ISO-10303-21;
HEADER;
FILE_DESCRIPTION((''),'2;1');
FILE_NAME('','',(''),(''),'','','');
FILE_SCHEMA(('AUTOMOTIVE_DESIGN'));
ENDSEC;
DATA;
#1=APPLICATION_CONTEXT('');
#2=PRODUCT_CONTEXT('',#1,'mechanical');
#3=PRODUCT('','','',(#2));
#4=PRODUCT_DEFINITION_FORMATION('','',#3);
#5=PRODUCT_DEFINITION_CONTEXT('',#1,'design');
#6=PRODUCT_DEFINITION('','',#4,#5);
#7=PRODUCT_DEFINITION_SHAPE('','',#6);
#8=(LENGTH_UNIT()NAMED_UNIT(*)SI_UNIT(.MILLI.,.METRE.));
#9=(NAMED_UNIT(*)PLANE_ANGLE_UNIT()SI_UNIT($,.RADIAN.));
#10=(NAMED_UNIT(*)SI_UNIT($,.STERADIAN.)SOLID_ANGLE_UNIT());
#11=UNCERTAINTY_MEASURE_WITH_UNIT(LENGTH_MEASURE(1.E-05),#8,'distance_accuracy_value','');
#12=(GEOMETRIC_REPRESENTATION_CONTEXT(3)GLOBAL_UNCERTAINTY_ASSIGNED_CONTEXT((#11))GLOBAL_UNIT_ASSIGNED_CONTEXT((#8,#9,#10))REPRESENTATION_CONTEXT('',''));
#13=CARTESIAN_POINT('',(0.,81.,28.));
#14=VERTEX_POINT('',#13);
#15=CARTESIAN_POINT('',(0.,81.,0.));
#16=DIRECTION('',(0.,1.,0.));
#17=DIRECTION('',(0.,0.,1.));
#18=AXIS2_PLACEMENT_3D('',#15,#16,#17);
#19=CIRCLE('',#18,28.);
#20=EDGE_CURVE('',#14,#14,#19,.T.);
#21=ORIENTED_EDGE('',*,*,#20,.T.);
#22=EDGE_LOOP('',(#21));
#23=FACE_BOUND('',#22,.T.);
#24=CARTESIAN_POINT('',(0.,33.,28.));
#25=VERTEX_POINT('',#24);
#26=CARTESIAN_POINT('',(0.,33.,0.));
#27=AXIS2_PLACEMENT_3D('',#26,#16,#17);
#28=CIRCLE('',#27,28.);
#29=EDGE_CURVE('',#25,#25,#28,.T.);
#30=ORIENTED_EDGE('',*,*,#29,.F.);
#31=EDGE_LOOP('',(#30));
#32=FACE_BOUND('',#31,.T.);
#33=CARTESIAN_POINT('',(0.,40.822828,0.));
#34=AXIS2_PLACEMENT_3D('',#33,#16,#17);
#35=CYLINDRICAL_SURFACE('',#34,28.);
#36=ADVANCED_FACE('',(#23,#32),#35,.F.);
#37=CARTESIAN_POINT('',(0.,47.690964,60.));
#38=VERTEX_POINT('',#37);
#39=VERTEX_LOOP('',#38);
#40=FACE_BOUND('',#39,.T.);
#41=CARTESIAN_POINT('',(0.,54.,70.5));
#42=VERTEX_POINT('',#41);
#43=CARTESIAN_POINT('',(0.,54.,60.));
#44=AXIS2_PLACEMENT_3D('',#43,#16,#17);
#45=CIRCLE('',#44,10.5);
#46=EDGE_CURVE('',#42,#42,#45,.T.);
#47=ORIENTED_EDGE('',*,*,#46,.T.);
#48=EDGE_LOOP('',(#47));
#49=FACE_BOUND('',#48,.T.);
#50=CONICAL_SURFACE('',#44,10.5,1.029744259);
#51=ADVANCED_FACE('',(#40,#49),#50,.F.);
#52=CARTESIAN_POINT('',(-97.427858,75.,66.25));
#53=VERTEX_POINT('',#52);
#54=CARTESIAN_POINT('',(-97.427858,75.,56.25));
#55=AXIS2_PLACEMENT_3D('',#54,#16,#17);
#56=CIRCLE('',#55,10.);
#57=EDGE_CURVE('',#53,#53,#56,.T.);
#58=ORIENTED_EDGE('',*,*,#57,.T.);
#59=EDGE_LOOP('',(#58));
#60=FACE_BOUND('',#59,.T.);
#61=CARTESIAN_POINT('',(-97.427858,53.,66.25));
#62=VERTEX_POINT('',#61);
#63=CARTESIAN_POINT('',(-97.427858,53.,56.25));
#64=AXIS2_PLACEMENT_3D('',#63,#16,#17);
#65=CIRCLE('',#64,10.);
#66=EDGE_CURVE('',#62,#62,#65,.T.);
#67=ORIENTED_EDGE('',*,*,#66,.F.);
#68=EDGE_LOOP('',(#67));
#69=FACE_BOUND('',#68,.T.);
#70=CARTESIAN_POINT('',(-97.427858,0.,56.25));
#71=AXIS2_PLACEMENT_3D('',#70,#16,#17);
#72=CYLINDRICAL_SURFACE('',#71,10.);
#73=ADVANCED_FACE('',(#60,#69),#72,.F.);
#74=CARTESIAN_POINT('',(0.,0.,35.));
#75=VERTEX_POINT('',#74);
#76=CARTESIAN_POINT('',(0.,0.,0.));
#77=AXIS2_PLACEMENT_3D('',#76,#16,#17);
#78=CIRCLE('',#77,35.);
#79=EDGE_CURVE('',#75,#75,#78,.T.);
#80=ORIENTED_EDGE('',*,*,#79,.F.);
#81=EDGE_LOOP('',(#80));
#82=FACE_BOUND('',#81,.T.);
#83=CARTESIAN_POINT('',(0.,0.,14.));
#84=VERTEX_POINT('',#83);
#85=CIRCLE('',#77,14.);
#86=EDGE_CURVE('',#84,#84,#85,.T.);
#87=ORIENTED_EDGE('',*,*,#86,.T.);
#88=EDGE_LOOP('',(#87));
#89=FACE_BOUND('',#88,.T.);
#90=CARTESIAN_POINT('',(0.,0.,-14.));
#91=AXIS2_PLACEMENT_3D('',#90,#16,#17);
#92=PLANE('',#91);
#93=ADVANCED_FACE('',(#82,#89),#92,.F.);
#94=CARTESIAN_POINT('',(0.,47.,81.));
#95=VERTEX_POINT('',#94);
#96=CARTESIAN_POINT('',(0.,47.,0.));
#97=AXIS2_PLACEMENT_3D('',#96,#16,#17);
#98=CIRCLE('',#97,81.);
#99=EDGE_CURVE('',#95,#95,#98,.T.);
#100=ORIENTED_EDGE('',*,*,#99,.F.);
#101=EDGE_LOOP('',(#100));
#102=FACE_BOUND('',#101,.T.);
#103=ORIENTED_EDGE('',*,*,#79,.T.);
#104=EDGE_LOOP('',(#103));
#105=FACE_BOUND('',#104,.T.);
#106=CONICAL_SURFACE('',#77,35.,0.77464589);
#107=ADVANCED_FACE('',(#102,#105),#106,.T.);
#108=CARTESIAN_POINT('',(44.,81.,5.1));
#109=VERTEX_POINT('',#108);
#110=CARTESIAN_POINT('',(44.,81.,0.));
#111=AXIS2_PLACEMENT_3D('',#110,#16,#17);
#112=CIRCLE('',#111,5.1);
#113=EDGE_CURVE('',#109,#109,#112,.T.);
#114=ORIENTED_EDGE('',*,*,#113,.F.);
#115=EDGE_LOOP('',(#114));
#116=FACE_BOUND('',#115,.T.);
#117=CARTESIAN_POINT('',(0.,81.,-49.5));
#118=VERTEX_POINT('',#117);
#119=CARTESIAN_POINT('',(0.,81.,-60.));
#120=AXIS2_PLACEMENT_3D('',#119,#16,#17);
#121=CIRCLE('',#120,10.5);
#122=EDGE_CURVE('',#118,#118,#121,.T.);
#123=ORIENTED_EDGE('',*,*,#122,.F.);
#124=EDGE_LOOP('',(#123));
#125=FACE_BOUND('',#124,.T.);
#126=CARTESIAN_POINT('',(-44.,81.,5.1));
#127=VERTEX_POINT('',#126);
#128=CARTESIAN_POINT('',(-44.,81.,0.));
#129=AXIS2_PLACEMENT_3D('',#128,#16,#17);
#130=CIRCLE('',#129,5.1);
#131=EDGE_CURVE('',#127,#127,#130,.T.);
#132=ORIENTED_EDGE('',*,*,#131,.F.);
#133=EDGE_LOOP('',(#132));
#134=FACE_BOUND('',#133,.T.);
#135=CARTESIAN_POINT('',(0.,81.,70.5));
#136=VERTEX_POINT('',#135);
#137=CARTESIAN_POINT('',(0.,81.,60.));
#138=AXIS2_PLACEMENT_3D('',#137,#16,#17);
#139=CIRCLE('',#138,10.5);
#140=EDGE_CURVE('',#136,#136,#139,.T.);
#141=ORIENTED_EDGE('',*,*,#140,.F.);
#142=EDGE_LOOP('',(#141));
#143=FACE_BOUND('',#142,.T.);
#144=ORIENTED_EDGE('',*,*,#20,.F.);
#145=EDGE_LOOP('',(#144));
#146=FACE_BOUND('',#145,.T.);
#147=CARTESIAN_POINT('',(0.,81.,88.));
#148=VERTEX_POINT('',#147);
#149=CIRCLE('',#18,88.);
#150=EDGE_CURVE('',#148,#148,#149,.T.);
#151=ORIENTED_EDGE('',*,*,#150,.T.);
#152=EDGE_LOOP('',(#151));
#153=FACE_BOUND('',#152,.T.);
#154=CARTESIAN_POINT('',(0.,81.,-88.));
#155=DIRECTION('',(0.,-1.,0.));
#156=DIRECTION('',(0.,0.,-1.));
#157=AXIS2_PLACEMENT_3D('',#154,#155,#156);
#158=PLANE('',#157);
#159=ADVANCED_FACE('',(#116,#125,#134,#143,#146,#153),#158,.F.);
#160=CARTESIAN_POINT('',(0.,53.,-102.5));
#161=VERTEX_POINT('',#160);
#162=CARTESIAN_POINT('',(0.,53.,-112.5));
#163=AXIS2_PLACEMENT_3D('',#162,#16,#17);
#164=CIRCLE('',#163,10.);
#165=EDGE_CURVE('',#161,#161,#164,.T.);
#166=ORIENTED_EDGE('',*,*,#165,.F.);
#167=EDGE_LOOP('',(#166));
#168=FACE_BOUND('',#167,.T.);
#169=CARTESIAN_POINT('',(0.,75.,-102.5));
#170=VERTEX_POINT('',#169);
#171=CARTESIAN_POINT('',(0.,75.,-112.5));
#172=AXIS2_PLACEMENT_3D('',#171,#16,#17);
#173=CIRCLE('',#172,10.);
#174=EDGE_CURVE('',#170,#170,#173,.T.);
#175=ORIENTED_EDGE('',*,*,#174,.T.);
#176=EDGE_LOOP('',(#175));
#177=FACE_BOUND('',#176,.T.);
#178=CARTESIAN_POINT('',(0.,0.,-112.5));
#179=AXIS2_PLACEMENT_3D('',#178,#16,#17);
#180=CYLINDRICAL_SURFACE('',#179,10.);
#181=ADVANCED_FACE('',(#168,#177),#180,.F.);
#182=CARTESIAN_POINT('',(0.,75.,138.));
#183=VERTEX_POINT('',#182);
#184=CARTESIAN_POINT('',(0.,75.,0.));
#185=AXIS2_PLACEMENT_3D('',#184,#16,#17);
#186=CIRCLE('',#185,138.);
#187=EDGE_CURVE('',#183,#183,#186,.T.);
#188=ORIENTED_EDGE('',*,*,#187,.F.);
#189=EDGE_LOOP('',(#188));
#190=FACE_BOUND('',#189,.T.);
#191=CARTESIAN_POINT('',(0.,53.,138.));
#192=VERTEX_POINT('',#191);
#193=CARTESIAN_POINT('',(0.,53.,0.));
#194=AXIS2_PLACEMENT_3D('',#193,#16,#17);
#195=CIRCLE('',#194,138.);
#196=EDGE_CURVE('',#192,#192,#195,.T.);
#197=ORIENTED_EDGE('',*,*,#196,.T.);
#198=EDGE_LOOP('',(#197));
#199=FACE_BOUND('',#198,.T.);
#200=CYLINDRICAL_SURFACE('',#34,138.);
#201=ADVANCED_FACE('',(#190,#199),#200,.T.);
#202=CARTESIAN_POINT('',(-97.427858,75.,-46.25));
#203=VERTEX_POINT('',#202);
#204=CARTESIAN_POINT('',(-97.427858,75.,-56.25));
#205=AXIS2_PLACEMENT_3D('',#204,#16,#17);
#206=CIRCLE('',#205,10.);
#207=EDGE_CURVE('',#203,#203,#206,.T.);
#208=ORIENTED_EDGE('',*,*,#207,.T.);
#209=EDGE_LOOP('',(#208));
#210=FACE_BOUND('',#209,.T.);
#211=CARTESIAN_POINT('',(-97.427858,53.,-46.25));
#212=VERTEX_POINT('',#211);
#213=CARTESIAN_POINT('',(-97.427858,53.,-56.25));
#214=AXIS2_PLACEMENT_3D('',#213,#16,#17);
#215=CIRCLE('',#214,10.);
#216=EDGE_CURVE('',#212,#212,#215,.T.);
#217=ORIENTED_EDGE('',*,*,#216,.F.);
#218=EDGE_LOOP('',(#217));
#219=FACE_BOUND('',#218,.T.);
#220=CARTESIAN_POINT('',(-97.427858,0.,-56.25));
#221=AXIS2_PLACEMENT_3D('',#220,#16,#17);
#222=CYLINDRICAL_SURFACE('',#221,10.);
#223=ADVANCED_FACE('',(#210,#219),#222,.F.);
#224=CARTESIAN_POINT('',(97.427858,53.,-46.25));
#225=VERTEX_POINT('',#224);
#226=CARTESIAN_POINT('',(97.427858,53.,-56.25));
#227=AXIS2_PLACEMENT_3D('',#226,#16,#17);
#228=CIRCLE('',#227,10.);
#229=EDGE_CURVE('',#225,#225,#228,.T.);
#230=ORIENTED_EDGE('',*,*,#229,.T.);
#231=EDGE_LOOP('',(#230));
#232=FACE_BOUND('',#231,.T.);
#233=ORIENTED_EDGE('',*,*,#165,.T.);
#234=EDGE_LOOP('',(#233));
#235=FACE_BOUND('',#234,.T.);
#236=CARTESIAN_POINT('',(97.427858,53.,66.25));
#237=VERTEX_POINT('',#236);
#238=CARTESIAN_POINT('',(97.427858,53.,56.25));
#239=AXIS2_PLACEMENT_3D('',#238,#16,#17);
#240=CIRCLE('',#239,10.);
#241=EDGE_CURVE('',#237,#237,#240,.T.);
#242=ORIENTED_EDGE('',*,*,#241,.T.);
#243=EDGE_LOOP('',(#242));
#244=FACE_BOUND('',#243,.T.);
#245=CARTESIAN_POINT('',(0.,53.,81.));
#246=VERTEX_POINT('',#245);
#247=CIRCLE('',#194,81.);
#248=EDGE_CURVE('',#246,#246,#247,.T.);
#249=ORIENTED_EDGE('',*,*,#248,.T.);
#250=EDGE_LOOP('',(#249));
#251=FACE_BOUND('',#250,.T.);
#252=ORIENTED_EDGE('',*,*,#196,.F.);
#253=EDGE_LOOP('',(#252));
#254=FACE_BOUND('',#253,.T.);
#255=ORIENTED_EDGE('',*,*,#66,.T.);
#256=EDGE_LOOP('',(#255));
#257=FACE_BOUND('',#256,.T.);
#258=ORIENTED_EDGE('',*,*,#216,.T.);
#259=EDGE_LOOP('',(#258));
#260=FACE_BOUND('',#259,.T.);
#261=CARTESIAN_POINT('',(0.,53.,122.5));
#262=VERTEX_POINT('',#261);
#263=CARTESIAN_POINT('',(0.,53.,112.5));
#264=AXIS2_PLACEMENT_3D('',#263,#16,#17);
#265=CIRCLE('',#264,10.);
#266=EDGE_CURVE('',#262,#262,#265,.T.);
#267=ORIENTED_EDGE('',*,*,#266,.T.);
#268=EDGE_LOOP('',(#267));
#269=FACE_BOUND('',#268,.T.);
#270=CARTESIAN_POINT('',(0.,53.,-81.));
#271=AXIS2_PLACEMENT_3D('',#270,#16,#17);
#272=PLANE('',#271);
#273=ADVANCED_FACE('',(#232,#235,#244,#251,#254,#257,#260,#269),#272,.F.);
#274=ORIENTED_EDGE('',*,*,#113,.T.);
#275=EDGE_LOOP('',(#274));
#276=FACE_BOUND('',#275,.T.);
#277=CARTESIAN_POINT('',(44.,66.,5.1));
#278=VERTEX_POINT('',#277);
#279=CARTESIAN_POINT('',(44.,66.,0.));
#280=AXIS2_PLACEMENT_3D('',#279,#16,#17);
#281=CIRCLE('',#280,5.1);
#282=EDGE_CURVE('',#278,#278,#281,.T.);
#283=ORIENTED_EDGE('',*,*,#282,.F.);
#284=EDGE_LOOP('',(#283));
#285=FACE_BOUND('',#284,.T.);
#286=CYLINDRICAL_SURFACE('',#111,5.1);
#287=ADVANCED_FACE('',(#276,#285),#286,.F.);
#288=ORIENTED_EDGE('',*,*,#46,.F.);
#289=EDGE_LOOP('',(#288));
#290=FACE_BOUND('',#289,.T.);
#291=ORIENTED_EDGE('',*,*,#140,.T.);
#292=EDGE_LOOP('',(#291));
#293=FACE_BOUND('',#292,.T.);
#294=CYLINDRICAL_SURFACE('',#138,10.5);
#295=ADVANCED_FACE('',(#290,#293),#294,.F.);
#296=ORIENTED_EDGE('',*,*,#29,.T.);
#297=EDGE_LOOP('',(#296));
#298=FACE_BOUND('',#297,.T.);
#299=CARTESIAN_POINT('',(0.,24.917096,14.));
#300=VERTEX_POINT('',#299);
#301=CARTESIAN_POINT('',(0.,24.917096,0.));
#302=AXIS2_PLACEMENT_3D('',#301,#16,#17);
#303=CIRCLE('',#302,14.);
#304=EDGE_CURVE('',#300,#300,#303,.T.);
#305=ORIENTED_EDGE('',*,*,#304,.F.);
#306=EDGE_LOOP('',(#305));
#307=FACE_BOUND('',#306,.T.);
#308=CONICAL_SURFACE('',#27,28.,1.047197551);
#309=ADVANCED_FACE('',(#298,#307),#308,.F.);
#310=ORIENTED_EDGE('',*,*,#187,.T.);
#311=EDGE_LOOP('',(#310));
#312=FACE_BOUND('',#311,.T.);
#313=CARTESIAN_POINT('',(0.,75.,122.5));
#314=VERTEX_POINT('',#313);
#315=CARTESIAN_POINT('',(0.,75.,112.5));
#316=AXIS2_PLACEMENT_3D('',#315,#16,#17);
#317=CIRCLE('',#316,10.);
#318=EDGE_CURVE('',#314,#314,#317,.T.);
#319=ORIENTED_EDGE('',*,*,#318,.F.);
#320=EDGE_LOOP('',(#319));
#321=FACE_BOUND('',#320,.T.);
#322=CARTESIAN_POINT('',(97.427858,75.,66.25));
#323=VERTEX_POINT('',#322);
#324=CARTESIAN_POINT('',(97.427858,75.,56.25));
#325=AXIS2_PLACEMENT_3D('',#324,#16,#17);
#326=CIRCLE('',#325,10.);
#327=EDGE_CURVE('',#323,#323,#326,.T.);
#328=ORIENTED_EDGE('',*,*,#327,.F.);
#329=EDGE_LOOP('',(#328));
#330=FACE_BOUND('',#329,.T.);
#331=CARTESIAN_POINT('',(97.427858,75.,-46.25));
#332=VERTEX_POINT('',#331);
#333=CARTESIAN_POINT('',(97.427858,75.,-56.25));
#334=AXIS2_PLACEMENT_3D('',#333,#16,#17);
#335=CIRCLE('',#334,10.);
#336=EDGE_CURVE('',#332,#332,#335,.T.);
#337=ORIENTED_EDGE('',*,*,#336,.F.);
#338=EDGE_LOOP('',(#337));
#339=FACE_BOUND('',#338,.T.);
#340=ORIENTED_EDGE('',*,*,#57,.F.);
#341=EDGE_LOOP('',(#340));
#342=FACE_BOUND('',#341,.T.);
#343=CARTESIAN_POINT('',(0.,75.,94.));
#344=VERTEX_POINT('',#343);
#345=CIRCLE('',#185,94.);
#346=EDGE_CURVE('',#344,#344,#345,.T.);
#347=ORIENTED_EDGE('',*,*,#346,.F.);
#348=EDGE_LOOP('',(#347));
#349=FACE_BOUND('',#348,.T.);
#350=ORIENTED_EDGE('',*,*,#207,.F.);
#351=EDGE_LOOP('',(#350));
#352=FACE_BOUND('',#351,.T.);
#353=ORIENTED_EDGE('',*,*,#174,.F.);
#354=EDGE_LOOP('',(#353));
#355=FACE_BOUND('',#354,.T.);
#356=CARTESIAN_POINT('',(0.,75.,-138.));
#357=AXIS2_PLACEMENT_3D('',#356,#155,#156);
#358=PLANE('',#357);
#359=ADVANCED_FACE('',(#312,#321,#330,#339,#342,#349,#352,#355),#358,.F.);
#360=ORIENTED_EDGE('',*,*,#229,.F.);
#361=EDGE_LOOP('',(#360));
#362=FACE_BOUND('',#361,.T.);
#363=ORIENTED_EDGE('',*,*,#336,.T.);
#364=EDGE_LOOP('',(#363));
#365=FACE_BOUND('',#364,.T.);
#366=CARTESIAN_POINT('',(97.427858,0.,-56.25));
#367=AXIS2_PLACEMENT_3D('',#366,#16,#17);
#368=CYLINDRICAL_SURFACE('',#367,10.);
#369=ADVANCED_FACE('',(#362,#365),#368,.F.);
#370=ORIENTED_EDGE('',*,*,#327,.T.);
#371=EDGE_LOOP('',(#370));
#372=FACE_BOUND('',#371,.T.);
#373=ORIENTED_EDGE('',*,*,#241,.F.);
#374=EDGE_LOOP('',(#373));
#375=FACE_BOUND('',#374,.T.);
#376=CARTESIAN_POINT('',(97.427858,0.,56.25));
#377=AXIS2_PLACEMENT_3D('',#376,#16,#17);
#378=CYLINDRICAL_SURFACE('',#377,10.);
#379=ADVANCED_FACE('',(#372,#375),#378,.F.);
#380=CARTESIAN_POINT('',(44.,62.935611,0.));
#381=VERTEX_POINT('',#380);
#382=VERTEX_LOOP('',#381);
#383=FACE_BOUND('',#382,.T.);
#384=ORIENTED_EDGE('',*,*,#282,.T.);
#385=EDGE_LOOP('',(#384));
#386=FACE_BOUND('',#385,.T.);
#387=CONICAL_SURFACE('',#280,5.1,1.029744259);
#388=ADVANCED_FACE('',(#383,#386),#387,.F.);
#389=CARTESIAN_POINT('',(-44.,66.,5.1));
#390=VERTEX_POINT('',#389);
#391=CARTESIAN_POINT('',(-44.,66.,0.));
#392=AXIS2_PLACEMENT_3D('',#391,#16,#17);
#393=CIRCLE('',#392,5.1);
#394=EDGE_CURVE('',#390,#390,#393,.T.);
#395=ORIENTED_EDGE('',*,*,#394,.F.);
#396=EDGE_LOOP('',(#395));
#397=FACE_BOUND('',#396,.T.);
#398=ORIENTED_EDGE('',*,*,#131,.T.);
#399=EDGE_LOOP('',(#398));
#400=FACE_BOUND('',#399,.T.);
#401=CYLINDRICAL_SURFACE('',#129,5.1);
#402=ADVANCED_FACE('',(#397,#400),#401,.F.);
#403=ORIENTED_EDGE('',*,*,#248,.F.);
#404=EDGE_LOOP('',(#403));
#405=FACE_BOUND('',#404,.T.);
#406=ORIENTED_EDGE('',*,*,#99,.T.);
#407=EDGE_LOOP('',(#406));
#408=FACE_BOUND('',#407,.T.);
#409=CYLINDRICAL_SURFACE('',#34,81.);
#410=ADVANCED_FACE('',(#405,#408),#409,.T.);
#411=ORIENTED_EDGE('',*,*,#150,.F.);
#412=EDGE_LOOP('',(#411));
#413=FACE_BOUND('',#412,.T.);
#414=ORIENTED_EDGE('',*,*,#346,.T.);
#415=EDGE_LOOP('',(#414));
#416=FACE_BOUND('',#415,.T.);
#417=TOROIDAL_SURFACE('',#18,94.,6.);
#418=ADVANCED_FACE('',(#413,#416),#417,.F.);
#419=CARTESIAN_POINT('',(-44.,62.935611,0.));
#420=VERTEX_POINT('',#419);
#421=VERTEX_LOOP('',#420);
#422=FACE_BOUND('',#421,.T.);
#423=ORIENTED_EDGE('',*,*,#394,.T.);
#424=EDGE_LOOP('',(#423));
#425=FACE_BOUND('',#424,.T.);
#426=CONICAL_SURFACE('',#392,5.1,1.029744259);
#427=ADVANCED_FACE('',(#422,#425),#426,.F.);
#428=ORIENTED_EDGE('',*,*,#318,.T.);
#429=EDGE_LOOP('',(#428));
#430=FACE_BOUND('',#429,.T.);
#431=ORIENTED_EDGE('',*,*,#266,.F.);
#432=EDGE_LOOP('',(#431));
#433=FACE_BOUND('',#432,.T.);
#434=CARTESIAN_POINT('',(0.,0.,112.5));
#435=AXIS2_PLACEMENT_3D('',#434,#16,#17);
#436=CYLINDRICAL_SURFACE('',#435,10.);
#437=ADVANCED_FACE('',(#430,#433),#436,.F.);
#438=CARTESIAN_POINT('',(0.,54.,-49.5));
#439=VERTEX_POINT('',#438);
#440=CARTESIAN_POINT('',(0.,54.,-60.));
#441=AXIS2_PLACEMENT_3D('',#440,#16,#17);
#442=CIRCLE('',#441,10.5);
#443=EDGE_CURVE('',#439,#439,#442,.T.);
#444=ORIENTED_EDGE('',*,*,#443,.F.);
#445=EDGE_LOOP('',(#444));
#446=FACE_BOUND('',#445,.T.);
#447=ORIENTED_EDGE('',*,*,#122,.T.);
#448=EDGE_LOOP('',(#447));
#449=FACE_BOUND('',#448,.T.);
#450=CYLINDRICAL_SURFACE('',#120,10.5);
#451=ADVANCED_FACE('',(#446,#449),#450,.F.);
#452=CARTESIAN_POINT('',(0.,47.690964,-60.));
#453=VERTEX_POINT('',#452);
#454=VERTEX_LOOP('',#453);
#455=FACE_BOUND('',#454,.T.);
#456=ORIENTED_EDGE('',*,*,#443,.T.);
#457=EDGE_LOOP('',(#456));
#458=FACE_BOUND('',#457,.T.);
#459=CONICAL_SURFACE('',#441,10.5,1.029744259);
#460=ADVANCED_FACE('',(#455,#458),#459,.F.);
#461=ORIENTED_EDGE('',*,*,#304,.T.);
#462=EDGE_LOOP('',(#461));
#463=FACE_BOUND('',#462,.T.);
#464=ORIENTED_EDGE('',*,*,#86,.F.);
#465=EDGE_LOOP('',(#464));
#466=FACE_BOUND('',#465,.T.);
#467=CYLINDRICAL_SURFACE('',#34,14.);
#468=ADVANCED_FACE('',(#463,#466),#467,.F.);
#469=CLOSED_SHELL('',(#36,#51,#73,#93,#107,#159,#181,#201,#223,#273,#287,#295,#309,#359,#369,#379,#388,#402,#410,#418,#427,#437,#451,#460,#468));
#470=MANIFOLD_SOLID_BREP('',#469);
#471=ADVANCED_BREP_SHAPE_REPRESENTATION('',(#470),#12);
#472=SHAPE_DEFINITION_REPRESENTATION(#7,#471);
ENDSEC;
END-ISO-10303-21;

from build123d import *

# Parameters (mm, degrees)
SKETCH2_R              = 10
CUT_EXTRUDE1_DEPTH     = 76
M24_TAPPED_HOLE3_D     = 21
M24_TAPPED_HOLE3_DEPTH = 27
M24_TAPPED_HOLE3_TIP   = 6.3090365
M12_TAPPED_HOLE1_D     = 10.2
M12_TAPPED_HOLE1_DEPTH = 15
M12_TAPPED_HOLE1_TIP   = 3.064389157


with BuildPart() as part:
    # Sketch1 → Revolve1 (revolve)
    with BuildSketch(Plane(origin=(0, 0, 0), x_dir=(0, 0, -1), z_dir=(1, 0, 0))):
        with BuildLine():
            Line((14, 0), (35, 0))
            Line((35, 0), (81, 47))
            Line((81, 47), (81, 53))
            Line((81, 53), (138, 53))
            Line((138, 53), (138, 75))
            Line((138, 75), (94, 75))
            ThreePointArc((94, 75), (89.757359313, 76.757359313), (88, 81))
            Line((88, 81), (28, 81))
            Line((28, 81), (28, 33))
            Line((28, 33), (14, 24.917096231))
            Line((14, 24.917096231), (14, 0))
        make_face()
    revolve(axis=Axis((0, 40.822828071, 0), (0, -1, 0)))

    # Sketch2 → Cut-Extrude1 (cut, through all)
    with BuildSketch(Plane(origin=(0, 75, 0), x_dir=(1, 0, 0), z_dir=(0, 1, 0))):
        with Locations((0, 112.5)):
            Circle(SKETCH2_R)
        with Locations((97.427857926, 56.25)):
            Circle(SKETCH2_R)
        with Locations((97.427857926, -56.25)):
            Circle(SKETCH2_R)
        with Locations((0, -112.5)):
            Circle(SKETCH2_R)
        with Locations((-97.427857926, -56.25)):
            Circle(SKETCH2_R)
        with Locations((-97.427857926, 56.25)):
            Circle(SKETCH2_R)
    extrude(amount=-CUT_EXTRUDE1_DEPTH, mode=Mode.SUBTRACT)

    # M24 Tapped Hole3
    with Locations(Plane(origin=(0, 81, 0), x_dir=(1, 0, 0), z_dir=(0, 1, 0))):
        with Locations((0, 60), (0, -60), (-5.787213998, -5.032102647)):
            Hole(M24_TAPPED_HOLE3_D / 2, depth=M24_TAPPED_HOLE3_DEPTH)
            with Locations((0, 0, -(M24_TAPPED_HOLE3_DEPTH + M24_TAPPED_HOLE3_TIP / 2))):  # 118° drill point
                Cone(0, M24_TAPPED_HOLE3_D / 2, M24_TAPPED_HOLE3_TIP, mode=Mode.SUBTRACT)

    # M12 Tapped Hole1
    with Locations(Plane(origin=(0, 81, 0), x_dir=(1, 0, 0), z_dir=(0, 1, 0))):
        with Locations((-44, 0), (44, 0)):
            Hole(M12_TAPPED_HOLE1_D / 2, depth=M12_TAPPED_HOLE1_DEPTH)
            with Locations((0, 0, -(M12_TAPPED_HOLE1_DEPTH + M12_TAPPED_HOLE1_TIP / 2))):  # 118° drill point
                Cone(0, M12_TAPPED_HOLE1_D / 2, M12_TAPPED_HOLE1_TIP, mode=Mode.SUBTRACT)


solid = part.part
